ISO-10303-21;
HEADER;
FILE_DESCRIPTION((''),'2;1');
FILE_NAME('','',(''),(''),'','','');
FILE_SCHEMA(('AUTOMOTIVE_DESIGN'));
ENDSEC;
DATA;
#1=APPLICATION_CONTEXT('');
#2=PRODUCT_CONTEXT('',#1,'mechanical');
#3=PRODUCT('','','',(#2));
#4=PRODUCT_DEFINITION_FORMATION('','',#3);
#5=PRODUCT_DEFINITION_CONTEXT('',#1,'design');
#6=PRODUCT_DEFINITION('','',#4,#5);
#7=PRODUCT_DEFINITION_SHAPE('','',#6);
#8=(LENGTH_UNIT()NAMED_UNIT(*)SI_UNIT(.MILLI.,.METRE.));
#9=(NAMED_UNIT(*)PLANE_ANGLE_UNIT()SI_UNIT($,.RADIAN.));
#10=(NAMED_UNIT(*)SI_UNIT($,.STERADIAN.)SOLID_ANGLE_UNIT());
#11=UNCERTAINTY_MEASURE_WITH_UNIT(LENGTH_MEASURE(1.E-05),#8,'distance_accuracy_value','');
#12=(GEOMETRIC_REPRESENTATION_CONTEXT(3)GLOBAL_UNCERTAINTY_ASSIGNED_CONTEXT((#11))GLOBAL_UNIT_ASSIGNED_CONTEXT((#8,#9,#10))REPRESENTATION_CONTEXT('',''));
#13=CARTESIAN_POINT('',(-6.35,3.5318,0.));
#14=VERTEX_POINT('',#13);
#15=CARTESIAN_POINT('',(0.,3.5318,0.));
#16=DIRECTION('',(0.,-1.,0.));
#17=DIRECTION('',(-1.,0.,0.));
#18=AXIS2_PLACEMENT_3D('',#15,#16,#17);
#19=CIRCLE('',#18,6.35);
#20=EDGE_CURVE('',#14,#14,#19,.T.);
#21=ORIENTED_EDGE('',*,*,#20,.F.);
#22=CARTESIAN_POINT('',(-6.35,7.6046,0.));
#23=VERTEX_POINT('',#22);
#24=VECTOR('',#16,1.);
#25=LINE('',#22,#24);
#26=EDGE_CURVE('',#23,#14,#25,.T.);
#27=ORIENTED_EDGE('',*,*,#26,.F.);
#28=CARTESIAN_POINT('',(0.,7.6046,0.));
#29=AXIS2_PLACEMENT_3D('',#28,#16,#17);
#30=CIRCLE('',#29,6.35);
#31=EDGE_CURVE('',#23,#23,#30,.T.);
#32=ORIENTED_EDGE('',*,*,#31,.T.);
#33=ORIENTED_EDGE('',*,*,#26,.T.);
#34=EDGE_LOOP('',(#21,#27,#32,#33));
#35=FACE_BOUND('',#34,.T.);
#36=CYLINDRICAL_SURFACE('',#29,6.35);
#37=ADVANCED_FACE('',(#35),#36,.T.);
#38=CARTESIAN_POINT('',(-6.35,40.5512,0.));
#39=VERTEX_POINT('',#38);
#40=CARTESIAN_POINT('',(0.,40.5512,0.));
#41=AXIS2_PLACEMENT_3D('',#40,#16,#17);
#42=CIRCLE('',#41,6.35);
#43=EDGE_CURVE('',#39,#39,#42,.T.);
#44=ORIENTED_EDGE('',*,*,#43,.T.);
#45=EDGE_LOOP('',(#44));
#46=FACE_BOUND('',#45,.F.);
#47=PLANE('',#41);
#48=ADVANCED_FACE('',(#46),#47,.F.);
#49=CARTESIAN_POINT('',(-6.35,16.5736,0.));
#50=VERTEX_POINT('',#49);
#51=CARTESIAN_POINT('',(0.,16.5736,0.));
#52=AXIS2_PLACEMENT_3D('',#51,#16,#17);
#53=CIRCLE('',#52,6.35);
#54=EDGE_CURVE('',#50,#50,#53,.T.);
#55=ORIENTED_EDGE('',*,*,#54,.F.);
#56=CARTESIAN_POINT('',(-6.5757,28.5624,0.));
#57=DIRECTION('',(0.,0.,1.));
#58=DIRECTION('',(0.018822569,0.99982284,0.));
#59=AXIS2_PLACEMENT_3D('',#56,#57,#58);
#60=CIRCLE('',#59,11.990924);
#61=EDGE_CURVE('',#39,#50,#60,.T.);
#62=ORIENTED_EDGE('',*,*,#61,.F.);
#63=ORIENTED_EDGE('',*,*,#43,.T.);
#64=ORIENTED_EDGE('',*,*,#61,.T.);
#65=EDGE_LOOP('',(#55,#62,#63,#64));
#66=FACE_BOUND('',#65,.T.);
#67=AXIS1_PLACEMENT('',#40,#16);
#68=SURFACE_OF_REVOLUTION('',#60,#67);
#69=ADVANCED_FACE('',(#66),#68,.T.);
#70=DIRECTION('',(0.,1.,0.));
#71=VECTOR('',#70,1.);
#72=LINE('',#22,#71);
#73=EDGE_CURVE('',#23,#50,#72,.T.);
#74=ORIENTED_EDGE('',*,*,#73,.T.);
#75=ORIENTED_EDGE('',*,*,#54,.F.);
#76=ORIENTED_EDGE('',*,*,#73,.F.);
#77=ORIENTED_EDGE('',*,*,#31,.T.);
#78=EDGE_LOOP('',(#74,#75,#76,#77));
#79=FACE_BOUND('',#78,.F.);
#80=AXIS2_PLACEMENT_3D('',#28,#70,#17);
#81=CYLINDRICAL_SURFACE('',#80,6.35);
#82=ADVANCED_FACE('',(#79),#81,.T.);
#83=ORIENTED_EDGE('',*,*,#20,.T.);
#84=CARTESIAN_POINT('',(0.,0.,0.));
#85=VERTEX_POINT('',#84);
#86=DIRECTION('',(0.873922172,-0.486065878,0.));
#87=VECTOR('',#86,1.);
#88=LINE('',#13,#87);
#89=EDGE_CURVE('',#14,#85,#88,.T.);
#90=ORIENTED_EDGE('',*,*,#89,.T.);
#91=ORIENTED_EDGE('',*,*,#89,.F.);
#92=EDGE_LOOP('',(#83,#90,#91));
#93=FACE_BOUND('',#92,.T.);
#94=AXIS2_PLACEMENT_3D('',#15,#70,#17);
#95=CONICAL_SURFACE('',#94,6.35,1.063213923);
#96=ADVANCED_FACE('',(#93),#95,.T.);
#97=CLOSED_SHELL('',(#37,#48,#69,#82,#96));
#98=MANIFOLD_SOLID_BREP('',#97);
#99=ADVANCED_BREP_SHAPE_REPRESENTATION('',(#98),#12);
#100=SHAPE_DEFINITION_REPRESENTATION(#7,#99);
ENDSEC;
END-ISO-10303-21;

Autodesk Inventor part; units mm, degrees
ref_plane "YZ Plane" through (0, 0, 0) normal (1, 0, 0) x (0, 1, 0)
ref_plane "XZ Plane" through (0, 0, 0) normal (0, 1, 0) x (-1, 0, 0)
ref_plane "XY Plane" through (0, 0, 0) normal (0, 0, 1) x (1, 0, 0)
sketch "Sketch1" plane through (0, 0, 0) normal (0, 0, 1) x (1, 0, 0)
  line L0 (-6.35, 3.5318) -> (0, 0)
  line L1 (0, 0) -> (0, 7.4744)
  line L2 (0, 7.4744) -> (-6.35, 7.6046)
  line L3 (-6.35, 7.6046) -> (-6.35, 16.5736)
  arc A0 (-6.35, 40.5512) -> (-6.35, 16.5736) centre (-6.5757, 28.5624) ccw
  line L4 (-6.35, 40.5512) -> (0, 40.5512)
  line L5 (0, 40.5512) -> (0, 7.4744)
  line L6 (-6.35, 7.6046) -> (-6.35, 3.5318)
revolve "Revolution1" add sketch "Sketch1" angle 360 about axis through (0, 40.5512, 0) along (0, -1, 0)
